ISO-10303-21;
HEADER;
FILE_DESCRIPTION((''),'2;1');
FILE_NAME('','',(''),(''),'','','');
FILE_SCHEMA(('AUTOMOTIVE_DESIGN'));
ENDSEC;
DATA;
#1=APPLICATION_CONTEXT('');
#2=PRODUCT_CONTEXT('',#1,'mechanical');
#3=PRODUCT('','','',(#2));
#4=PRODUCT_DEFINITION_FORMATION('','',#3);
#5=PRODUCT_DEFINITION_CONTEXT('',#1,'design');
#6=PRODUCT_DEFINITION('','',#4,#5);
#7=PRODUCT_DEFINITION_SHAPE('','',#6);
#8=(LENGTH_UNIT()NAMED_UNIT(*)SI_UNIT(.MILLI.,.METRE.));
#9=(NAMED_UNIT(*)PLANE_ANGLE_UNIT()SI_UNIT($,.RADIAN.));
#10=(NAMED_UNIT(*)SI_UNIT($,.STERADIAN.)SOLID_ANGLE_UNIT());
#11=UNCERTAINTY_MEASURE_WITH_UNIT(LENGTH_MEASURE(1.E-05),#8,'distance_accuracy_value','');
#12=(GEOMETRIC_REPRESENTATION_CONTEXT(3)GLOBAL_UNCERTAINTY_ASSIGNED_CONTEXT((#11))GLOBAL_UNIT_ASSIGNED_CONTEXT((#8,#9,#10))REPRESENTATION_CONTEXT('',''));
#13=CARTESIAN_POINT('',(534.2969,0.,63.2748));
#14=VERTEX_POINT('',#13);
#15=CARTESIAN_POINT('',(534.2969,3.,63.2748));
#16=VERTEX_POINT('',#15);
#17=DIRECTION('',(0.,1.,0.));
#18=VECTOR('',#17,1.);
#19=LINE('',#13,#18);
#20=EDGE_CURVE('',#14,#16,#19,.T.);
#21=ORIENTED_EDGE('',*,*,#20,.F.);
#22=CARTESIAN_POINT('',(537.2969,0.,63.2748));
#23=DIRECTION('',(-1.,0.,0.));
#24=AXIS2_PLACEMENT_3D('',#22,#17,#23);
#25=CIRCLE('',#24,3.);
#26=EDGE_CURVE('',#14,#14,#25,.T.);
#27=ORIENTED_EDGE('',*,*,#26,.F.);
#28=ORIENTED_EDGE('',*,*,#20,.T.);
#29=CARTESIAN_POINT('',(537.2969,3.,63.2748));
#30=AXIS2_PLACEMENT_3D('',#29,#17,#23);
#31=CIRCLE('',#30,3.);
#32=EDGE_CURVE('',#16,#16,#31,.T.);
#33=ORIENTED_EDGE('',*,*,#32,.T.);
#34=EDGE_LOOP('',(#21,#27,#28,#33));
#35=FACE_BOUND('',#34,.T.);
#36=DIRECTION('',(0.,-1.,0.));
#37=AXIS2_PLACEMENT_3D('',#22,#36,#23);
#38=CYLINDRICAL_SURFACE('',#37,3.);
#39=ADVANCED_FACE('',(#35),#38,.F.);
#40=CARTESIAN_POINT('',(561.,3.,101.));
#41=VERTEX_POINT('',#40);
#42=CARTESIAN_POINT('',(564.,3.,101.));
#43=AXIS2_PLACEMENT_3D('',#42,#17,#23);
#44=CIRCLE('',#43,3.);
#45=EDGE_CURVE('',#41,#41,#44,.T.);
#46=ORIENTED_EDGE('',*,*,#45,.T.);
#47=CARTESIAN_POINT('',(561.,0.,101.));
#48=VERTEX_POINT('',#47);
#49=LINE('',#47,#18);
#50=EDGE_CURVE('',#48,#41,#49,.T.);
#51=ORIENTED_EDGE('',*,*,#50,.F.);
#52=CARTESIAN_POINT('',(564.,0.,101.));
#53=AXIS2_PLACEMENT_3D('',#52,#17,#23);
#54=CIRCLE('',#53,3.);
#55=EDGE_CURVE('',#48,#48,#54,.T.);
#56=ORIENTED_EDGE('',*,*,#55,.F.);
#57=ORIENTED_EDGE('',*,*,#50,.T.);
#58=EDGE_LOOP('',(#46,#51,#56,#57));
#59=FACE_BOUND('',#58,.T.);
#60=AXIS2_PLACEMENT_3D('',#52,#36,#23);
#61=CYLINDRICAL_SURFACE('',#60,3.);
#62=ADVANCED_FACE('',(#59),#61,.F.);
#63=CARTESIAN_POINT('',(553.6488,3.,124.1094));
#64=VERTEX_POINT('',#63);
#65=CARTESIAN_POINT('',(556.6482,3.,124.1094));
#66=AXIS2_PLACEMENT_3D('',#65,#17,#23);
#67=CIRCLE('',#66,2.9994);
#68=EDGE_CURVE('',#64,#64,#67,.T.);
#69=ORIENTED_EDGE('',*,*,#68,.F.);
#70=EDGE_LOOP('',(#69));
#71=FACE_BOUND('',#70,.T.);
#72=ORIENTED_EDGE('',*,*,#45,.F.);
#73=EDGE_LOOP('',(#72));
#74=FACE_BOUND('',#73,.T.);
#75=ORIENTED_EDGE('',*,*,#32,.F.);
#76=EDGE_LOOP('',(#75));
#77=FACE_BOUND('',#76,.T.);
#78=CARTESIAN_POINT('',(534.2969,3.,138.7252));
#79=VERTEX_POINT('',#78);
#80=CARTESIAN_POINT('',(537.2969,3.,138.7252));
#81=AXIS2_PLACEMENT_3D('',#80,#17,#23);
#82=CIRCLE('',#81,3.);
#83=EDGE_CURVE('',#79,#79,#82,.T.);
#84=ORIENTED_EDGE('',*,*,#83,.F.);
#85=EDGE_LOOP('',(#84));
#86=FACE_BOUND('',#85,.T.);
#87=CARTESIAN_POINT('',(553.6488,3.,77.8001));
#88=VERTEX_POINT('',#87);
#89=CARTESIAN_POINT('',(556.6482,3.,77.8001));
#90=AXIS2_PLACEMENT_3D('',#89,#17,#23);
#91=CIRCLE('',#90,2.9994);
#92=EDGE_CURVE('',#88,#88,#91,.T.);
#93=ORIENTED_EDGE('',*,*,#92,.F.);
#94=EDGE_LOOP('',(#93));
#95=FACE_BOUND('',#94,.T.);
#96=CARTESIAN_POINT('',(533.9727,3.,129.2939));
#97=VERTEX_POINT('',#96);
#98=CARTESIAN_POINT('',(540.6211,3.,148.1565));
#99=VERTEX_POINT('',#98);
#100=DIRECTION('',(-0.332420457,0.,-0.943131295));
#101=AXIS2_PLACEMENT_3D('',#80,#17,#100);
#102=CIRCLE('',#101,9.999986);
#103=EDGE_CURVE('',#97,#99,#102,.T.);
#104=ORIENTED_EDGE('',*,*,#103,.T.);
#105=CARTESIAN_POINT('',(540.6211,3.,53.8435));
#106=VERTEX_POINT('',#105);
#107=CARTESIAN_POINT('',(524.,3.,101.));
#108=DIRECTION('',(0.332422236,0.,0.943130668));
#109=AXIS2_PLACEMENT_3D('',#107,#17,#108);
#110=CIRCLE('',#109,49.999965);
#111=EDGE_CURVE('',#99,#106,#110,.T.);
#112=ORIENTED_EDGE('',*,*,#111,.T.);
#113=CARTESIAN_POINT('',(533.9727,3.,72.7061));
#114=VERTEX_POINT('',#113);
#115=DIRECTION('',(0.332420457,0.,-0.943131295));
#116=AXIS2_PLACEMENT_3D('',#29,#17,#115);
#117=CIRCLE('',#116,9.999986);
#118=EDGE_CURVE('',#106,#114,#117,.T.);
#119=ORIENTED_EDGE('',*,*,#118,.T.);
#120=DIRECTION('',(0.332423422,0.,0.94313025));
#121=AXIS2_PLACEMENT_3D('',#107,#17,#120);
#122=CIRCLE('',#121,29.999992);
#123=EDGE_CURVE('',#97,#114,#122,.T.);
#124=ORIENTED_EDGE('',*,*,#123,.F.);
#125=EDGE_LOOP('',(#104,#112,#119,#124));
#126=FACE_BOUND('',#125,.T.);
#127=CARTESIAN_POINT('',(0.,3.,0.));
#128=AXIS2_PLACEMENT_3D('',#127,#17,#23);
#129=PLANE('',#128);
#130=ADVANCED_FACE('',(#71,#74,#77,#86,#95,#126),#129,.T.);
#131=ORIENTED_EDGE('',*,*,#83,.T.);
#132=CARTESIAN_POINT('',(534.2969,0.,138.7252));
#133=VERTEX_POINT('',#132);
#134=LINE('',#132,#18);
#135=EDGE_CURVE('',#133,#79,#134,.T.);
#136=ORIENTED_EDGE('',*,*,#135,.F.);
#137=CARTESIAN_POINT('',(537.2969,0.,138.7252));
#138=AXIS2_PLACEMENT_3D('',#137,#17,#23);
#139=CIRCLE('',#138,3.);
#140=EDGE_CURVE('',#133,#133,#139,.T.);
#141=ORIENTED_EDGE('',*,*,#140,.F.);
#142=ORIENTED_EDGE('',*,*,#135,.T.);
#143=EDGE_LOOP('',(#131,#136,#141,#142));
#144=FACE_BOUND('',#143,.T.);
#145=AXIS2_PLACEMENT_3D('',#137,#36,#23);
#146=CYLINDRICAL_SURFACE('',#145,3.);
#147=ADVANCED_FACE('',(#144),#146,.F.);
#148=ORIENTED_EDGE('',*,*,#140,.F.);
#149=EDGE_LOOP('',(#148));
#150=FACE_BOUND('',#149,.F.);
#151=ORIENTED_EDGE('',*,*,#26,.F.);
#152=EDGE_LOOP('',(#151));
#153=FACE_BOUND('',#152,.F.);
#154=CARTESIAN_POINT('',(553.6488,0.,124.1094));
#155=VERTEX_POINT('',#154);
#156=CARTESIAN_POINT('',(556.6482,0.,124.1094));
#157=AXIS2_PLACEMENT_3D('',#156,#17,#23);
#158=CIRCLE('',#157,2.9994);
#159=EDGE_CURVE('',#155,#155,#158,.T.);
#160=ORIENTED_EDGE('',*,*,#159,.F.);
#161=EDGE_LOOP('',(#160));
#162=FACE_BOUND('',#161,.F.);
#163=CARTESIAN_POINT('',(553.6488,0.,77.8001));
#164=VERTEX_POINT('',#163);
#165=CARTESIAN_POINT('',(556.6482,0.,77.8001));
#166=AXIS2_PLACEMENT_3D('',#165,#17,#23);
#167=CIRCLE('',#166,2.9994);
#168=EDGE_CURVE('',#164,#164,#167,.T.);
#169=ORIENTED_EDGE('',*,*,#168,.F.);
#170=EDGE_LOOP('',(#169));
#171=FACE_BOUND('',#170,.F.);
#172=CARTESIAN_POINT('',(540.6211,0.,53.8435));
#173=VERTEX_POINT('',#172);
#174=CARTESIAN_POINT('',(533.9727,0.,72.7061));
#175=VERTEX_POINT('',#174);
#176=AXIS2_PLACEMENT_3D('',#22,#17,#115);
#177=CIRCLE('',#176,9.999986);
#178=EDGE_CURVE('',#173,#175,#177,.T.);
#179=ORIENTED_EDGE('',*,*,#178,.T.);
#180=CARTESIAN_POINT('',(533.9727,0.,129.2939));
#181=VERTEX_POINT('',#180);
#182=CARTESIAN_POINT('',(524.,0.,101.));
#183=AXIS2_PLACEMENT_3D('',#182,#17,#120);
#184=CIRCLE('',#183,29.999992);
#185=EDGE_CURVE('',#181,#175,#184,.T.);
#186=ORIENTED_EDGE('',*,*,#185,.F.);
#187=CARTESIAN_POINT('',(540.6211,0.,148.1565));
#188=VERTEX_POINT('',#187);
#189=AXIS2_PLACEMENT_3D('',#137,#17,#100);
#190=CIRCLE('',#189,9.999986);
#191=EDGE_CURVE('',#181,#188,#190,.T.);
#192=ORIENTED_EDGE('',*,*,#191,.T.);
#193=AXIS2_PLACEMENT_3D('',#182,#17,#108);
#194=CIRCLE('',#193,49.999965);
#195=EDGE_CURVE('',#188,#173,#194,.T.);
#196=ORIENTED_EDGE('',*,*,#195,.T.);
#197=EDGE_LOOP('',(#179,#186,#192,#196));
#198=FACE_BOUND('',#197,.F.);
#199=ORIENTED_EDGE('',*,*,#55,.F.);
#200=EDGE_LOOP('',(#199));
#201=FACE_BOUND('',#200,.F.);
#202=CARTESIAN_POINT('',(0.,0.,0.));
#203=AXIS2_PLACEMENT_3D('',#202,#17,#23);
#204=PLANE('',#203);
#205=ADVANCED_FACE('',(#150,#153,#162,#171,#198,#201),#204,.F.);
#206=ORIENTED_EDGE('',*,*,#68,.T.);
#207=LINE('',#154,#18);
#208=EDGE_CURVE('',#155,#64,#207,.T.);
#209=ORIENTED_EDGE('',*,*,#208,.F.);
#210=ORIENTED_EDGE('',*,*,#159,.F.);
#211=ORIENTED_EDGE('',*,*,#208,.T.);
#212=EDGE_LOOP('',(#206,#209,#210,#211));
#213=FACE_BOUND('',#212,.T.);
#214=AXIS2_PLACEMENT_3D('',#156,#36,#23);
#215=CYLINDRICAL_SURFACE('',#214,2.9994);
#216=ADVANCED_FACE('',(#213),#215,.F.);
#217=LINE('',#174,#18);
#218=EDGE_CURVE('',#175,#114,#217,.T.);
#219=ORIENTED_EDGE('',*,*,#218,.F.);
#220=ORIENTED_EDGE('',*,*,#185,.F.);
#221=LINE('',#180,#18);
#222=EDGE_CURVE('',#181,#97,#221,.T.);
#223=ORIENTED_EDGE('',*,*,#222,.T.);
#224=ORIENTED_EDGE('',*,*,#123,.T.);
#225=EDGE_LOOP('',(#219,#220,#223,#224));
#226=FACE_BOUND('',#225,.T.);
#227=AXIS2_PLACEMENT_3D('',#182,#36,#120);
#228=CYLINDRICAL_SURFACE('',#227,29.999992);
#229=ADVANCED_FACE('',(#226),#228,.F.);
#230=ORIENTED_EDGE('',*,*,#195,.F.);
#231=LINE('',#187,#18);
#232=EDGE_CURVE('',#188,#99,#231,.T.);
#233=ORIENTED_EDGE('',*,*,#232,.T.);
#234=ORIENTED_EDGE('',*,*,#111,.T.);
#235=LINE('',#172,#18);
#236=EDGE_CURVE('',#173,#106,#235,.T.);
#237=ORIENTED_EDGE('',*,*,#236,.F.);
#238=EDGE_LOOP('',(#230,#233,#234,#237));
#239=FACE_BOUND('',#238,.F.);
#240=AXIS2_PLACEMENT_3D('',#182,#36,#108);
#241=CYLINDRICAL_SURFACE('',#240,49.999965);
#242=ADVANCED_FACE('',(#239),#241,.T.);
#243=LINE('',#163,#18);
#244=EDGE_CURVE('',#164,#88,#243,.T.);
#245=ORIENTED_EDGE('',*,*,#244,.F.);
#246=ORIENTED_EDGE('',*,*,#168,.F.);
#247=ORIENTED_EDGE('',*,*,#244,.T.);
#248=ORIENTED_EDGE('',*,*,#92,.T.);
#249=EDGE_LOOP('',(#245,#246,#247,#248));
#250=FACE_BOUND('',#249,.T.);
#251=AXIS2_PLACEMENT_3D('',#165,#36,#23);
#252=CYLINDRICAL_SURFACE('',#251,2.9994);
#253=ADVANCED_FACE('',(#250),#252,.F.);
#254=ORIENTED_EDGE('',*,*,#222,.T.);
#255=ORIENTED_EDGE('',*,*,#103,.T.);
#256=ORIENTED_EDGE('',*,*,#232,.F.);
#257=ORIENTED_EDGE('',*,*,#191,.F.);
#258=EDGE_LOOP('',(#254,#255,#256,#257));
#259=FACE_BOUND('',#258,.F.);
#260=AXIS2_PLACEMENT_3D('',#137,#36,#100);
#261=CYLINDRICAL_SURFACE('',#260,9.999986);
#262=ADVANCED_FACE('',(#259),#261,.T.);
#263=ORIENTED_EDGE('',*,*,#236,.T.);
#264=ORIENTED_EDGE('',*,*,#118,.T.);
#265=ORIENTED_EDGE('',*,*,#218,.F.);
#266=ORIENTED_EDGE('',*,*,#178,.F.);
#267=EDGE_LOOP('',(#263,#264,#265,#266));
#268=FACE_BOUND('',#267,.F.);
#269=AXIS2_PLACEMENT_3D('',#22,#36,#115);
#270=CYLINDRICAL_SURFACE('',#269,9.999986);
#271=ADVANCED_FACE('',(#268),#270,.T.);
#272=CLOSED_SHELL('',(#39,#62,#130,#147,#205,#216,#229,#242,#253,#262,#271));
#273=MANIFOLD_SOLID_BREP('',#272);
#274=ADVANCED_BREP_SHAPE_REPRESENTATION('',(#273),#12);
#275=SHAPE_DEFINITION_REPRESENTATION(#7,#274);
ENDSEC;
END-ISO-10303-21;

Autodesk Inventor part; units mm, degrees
ref_plane "YZ Plane" through (0, 0, 0) normal (1, 0, 0) x (0, 1, 0)
ref_plane "XZ Plane" through (0, 0, 0) normal (0, 1, 0) x (-1, 0, 0)
ref_plane "XY Plane" through (0, 0, 0) normal (0, 0, 1) x (1, 0, 0)
sketch3d "3D Sketch1"
sketch "Sketch8" plane through (0, 0, 0) normal (0, 1, 0) x (-1, 0, 0)
  arc A0 (-533.9727, 129.2939) -> (-533.9727, 72.7061) centre (-524, 101) ccw projected
  arc A1 (-533.9727, 129.2939) -> (-540.6211, 148.1565) centre (-537.2969, 138.7252) ccw projected
  arc A2 (-540.6211, 148.1565) -> (-540.6211, 53.8435) centre (-524, 101) ccw projected
  arc A3 (-540.6211, 53.8435) -> (-533.9727, 72.7061) centre (-537.2969, 63.2748) ccw projected
  circle A4 centre (-537.2969, 63.2748) radius 3 projected
  circle A5 centre (-556.6482, 77.8001) radius 2.9994 projected
  circle A6 centre (-564, 101) radius 3 projected
  circle A7 centre (-556.6482, 124.1094) radius 2.9994 projected
  circle A8 centre (-537.2969, 138.7252) radius 3 projected
  point P0 (0, 0)
extrude "Extrusion1" add sketch "Sketch8" along normal blind 3
properties part number "pulsador_presion"
